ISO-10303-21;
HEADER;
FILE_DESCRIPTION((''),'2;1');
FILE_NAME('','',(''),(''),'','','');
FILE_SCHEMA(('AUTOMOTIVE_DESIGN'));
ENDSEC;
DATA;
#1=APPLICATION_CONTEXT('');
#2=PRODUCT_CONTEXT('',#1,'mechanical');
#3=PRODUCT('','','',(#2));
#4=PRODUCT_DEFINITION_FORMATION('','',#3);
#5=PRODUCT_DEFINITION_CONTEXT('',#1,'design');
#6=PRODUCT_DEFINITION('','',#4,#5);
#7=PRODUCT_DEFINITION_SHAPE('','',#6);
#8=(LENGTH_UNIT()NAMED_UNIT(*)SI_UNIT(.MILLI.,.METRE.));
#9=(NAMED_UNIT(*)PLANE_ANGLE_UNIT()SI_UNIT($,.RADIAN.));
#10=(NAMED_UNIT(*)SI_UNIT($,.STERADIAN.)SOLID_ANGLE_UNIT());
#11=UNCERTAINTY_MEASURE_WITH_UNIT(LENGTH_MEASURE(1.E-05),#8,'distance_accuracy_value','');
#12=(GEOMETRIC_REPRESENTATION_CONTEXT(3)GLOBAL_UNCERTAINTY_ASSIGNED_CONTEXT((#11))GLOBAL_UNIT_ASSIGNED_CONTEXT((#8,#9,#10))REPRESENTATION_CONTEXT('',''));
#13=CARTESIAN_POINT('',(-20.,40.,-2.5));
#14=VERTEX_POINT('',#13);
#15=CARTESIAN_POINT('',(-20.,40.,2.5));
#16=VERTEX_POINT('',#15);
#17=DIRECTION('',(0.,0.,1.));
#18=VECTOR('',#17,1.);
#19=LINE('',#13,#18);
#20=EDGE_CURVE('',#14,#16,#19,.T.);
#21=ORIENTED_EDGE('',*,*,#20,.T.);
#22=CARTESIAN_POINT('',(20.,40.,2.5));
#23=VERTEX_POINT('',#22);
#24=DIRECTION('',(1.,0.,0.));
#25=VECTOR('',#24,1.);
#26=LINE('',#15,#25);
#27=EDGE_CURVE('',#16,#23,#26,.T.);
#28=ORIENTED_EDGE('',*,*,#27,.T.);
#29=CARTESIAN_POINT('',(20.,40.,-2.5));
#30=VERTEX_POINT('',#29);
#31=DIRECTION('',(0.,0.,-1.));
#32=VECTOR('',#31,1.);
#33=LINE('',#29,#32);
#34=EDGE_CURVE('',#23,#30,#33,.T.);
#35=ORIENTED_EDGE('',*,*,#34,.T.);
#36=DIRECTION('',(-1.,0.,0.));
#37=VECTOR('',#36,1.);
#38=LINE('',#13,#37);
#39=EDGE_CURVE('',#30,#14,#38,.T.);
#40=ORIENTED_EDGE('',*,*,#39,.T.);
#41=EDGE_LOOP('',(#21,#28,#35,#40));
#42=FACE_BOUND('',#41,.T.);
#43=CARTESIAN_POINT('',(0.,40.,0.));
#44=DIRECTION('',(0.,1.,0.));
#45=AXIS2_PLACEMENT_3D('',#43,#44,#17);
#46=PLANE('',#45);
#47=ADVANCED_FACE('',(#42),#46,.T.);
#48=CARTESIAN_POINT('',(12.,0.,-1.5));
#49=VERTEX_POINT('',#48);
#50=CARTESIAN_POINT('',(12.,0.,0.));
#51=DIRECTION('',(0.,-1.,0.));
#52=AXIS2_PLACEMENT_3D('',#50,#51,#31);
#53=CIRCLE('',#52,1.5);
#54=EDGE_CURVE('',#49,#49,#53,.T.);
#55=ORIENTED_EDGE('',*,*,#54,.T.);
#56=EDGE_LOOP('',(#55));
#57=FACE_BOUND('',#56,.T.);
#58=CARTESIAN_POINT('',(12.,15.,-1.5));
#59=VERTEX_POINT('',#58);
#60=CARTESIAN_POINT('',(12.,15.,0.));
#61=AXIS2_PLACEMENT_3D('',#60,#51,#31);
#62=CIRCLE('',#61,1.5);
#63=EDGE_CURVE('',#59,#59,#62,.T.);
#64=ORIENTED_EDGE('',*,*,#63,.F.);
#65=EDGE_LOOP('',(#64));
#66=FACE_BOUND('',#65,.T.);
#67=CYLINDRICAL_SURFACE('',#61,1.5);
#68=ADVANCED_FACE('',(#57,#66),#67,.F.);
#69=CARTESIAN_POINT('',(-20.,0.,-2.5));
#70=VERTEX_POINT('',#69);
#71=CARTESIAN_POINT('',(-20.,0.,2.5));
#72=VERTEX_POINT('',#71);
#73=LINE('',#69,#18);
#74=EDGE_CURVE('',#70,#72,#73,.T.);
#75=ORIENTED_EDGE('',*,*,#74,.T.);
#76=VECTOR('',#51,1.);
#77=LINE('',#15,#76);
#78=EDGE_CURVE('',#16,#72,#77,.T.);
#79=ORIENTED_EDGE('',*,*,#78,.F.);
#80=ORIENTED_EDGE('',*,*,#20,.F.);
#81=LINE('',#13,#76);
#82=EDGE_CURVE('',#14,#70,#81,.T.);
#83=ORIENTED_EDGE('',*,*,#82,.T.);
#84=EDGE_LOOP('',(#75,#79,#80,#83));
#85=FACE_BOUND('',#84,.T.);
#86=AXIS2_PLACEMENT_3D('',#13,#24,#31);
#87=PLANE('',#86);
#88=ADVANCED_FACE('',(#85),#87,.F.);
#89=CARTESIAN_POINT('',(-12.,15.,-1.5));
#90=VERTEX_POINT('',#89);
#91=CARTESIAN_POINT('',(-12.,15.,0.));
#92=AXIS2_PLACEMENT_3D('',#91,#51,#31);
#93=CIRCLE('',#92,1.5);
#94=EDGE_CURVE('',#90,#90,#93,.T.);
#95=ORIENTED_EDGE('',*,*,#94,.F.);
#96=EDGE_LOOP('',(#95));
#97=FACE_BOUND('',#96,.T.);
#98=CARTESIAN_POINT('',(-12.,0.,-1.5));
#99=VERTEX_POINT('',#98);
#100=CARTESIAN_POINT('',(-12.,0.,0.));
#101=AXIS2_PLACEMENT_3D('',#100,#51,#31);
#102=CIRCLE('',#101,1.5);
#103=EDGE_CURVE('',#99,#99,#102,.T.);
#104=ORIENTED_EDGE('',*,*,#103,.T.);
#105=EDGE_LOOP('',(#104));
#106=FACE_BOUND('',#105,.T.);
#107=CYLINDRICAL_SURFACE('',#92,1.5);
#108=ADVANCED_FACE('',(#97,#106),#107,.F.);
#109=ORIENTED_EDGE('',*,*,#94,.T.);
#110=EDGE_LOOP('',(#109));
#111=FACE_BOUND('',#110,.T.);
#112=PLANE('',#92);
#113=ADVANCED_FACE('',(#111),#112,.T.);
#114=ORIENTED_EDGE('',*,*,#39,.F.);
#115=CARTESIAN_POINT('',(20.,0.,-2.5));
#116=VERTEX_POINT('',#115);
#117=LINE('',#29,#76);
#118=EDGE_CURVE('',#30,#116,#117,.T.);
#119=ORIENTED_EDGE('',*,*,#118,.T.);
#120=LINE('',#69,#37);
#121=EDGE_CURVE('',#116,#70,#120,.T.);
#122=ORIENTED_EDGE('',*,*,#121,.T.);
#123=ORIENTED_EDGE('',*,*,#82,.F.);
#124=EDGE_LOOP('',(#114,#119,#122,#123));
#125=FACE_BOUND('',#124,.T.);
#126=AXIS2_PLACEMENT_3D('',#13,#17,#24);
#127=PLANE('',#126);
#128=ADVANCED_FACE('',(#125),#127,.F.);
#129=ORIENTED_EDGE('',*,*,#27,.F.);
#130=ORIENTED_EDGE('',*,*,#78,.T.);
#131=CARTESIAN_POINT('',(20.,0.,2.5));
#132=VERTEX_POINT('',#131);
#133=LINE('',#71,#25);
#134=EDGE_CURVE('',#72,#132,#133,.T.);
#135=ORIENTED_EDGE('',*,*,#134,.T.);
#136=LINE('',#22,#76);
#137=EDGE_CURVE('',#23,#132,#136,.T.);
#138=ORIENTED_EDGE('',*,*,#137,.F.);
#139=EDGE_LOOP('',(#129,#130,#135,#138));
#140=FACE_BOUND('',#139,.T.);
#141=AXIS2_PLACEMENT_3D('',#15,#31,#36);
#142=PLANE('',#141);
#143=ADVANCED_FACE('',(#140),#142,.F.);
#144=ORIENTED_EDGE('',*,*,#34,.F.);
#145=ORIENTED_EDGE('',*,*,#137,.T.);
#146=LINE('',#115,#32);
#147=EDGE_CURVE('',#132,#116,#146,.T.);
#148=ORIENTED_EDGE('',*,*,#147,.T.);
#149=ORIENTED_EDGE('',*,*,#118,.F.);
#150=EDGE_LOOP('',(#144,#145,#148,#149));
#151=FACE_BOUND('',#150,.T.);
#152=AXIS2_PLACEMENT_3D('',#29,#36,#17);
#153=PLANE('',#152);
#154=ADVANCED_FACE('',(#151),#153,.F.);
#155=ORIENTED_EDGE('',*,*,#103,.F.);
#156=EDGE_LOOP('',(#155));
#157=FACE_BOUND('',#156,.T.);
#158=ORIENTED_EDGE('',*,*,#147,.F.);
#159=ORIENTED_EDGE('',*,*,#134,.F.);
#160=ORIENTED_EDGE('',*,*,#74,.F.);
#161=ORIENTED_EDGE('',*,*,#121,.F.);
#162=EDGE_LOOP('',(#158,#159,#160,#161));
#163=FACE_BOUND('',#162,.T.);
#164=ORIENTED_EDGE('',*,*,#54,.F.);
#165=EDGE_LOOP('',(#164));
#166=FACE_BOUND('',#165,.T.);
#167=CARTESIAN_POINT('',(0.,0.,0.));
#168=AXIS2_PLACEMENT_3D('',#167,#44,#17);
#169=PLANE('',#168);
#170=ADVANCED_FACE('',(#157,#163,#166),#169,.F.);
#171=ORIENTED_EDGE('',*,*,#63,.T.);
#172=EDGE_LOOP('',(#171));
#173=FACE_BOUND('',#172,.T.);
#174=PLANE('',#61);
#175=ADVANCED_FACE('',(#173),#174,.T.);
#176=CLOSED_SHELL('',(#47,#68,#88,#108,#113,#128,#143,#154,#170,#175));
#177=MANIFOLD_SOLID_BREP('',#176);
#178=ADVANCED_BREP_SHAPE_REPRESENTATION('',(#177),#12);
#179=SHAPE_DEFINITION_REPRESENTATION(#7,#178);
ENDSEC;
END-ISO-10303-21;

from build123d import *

# Parameters (mm, degrees)
SKETCH1_W           = 40
SKETCH1_H           = 5
BOSS_EXTRUDE1_DEPTH = 40
SKETCH2_R           = 1.5
CUT_EXTRUDE1_DEPTH  = 15


with BuildPart() as part:
    # Sketch1 → Boss-Extrude1 (new body)
    with BuildSketch(Plane(origin=(0, 0, 0), x_dir=(1, 0, 0), z_dir=(0, 1, 0))):
        Rectangle(SKETCH1_W, SKETCH1_H)
    extrude(amount=BOSS_EXTRUDE1_DEPTH)

    # Sketch2 → Cut-Extrude1 (cut)
    with BuildSketch(Plane.XZ):
        with Locations(Location((-12, 0, 0), (0, 0, 270))):
            Circle(SKETCH2_R)
        with Locations(Location((12, 0, 0), (0, 0, 270))):
            Circle(SKETCH2_R)
    extrude(amount=-CUT_EXTRUDE1_DEPTH, mode=Mode.SUBTRACT)


solid = part.part
